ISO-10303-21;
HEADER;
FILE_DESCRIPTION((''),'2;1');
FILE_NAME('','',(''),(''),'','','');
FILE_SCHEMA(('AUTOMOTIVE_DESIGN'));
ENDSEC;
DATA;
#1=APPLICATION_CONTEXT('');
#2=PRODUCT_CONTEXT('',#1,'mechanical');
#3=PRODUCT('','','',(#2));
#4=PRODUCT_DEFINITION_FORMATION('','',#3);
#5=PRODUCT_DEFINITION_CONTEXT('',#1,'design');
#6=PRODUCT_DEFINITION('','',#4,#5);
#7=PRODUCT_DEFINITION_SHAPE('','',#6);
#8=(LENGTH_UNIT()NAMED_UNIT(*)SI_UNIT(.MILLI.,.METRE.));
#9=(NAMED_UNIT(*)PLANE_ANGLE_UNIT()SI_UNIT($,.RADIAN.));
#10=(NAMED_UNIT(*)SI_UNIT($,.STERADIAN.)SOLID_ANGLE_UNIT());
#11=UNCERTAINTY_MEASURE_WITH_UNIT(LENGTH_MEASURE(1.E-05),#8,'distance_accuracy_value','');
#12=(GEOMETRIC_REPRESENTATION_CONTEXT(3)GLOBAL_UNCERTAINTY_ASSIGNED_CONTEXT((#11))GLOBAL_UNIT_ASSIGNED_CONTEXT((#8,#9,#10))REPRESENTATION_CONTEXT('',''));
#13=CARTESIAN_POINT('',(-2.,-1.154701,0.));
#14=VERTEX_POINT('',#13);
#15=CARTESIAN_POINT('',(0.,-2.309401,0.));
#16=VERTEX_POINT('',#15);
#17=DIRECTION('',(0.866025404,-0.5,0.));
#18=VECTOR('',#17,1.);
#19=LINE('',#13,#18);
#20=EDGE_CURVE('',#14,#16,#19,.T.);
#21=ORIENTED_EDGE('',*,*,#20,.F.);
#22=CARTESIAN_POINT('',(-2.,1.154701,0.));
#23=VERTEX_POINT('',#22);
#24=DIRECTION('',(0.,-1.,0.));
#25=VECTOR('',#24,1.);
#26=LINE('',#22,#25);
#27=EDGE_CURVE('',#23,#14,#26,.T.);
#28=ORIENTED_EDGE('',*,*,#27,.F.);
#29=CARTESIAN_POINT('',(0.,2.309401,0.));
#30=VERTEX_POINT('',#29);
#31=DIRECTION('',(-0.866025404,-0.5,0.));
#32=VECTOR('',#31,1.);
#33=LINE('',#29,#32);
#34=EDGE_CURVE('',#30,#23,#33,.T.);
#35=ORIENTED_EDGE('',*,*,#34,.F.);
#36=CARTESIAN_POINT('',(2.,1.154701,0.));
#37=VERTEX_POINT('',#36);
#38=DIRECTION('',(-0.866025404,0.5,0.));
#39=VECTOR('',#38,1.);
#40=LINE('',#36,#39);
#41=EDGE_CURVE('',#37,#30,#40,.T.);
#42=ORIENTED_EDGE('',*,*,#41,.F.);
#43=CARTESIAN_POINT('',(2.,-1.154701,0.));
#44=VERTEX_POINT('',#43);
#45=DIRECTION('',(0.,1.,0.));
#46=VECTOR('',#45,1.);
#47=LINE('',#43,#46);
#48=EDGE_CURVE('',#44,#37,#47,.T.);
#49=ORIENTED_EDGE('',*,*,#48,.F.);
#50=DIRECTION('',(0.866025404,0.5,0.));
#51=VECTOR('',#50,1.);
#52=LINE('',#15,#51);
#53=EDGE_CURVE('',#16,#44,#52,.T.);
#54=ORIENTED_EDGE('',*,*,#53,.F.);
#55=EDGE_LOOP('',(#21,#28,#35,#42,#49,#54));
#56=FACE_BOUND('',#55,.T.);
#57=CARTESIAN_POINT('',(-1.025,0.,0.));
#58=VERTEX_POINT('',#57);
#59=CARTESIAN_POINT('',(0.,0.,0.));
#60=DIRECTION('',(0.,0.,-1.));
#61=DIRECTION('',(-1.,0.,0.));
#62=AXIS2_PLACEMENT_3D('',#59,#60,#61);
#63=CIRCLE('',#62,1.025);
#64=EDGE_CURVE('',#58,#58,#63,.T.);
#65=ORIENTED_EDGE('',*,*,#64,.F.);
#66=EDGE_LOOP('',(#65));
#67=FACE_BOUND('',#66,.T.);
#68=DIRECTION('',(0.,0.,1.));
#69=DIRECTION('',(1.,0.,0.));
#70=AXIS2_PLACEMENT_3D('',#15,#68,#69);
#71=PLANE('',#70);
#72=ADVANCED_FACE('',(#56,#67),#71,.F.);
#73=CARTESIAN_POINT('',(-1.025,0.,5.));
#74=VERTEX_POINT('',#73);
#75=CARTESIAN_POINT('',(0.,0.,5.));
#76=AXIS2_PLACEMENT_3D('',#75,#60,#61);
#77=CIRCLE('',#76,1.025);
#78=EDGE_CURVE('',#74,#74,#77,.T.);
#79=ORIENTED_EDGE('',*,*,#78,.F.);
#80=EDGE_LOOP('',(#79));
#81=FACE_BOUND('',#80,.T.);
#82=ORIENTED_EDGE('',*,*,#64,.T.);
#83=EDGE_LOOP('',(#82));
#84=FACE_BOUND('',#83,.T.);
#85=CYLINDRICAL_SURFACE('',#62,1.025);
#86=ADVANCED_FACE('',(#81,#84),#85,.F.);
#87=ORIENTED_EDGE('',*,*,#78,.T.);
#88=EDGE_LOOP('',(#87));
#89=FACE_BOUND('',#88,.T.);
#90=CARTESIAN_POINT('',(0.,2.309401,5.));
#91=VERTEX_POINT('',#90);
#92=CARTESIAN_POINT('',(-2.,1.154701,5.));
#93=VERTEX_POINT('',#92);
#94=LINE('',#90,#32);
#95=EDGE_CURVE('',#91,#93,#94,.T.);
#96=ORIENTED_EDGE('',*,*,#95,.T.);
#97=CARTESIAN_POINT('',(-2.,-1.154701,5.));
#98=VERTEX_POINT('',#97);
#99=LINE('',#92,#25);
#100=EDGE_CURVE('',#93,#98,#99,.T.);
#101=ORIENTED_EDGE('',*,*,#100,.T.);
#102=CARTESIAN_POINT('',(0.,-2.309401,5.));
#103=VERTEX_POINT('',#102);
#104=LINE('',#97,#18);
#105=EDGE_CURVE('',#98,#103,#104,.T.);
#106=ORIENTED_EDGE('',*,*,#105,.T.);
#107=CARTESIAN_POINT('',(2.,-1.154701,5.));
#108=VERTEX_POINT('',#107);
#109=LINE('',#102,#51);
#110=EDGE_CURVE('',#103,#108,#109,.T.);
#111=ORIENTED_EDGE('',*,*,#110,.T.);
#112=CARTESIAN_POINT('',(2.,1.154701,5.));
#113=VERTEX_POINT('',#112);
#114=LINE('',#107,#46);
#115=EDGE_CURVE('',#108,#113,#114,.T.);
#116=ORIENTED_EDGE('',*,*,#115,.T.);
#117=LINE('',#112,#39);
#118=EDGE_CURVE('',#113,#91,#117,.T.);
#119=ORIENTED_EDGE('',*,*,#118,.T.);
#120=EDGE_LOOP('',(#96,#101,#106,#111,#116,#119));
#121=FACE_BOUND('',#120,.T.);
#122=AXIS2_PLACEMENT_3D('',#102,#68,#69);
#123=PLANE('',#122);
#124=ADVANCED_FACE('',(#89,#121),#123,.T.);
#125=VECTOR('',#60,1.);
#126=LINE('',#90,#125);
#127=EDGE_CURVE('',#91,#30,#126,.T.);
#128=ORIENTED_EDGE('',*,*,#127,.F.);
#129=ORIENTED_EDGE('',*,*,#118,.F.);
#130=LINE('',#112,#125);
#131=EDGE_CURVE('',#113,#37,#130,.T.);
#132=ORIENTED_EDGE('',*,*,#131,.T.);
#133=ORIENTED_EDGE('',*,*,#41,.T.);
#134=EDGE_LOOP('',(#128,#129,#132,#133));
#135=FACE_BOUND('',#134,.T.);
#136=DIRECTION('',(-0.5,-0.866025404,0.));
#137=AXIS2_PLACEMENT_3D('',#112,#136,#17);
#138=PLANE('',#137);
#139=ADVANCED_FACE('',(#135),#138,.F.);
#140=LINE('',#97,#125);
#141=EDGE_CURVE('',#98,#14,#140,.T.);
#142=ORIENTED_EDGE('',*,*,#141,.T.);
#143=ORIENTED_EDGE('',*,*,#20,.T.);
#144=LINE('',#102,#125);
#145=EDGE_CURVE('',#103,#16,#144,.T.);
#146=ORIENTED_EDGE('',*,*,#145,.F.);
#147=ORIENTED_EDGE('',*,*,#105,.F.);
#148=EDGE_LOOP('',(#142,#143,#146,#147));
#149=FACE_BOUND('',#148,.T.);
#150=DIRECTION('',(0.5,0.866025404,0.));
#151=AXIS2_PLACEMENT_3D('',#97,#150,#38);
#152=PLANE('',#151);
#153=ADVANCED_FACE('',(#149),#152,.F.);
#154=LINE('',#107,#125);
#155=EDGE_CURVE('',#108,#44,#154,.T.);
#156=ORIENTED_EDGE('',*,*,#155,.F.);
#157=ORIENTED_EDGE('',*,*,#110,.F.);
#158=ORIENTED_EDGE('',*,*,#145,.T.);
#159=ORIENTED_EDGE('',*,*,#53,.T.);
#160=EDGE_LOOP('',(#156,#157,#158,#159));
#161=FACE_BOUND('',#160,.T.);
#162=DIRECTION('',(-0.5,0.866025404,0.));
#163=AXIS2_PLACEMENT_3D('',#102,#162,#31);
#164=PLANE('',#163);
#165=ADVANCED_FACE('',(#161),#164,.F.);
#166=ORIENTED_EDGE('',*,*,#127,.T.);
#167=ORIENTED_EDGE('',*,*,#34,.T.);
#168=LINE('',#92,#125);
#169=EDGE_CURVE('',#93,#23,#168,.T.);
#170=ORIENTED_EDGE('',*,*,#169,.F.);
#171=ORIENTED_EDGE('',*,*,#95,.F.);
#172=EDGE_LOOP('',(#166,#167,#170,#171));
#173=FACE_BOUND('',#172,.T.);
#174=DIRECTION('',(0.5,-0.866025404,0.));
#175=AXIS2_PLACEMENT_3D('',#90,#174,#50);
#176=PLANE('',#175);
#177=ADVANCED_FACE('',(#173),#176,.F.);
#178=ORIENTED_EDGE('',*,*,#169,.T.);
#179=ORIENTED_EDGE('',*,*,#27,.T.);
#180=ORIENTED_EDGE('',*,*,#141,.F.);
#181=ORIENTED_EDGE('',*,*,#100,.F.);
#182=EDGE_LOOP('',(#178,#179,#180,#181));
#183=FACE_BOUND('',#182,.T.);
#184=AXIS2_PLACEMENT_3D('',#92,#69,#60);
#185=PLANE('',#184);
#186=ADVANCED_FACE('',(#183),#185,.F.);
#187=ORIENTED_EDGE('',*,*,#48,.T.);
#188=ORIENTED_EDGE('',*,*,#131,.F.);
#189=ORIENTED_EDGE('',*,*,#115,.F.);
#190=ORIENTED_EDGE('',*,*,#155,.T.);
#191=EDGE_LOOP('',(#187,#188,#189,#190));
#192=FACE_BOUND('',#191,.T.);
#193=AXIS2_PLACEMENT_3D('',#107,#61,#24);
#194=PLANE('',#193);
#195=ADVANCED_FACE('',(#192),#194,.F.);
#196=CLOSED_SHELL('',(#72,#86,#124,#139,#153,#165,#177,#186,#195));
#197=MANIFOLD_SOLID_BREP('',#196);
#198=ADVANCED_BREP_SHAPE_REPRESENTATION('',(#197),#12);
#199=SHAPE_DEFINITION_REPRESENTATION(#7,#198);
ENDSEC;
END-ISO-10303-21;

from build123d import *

# Parameters (mm, degrees)
BOSS_EXTRUDE1_DEPTH                       = 5
TROU_POUR_TARAUDAGE_POUR_TROU_TARAUD_M2_D = 2.05


with BuildPart() as part:
    # Sketch1 → Boss-Extrude1 (new body)
    with BuildSketch(Plane.XY):
        Polygon((0, -2.309401077), (2, -1.154700538), (2, 1.154700538), (0, 2.309401077), (-2, 1.154700538), (-2, -1.154700538), align=None)
    extrude(amount=BOSS_EXTRUDE1_DEPTH)

    # Trou pour taraudage pour trou taraudé M2.51 (through all)
    with Locations(Plane(origin=(0, 0, 0), x_dir=(-1, 0, 0), z_dir=(0, 0, -1))):
        with Locations((0, 0)):
            Hole(TROU_POUR_TARAUDAGE_POUR_TROU_TARAUD_M2_D / 2)


solid = part.part
